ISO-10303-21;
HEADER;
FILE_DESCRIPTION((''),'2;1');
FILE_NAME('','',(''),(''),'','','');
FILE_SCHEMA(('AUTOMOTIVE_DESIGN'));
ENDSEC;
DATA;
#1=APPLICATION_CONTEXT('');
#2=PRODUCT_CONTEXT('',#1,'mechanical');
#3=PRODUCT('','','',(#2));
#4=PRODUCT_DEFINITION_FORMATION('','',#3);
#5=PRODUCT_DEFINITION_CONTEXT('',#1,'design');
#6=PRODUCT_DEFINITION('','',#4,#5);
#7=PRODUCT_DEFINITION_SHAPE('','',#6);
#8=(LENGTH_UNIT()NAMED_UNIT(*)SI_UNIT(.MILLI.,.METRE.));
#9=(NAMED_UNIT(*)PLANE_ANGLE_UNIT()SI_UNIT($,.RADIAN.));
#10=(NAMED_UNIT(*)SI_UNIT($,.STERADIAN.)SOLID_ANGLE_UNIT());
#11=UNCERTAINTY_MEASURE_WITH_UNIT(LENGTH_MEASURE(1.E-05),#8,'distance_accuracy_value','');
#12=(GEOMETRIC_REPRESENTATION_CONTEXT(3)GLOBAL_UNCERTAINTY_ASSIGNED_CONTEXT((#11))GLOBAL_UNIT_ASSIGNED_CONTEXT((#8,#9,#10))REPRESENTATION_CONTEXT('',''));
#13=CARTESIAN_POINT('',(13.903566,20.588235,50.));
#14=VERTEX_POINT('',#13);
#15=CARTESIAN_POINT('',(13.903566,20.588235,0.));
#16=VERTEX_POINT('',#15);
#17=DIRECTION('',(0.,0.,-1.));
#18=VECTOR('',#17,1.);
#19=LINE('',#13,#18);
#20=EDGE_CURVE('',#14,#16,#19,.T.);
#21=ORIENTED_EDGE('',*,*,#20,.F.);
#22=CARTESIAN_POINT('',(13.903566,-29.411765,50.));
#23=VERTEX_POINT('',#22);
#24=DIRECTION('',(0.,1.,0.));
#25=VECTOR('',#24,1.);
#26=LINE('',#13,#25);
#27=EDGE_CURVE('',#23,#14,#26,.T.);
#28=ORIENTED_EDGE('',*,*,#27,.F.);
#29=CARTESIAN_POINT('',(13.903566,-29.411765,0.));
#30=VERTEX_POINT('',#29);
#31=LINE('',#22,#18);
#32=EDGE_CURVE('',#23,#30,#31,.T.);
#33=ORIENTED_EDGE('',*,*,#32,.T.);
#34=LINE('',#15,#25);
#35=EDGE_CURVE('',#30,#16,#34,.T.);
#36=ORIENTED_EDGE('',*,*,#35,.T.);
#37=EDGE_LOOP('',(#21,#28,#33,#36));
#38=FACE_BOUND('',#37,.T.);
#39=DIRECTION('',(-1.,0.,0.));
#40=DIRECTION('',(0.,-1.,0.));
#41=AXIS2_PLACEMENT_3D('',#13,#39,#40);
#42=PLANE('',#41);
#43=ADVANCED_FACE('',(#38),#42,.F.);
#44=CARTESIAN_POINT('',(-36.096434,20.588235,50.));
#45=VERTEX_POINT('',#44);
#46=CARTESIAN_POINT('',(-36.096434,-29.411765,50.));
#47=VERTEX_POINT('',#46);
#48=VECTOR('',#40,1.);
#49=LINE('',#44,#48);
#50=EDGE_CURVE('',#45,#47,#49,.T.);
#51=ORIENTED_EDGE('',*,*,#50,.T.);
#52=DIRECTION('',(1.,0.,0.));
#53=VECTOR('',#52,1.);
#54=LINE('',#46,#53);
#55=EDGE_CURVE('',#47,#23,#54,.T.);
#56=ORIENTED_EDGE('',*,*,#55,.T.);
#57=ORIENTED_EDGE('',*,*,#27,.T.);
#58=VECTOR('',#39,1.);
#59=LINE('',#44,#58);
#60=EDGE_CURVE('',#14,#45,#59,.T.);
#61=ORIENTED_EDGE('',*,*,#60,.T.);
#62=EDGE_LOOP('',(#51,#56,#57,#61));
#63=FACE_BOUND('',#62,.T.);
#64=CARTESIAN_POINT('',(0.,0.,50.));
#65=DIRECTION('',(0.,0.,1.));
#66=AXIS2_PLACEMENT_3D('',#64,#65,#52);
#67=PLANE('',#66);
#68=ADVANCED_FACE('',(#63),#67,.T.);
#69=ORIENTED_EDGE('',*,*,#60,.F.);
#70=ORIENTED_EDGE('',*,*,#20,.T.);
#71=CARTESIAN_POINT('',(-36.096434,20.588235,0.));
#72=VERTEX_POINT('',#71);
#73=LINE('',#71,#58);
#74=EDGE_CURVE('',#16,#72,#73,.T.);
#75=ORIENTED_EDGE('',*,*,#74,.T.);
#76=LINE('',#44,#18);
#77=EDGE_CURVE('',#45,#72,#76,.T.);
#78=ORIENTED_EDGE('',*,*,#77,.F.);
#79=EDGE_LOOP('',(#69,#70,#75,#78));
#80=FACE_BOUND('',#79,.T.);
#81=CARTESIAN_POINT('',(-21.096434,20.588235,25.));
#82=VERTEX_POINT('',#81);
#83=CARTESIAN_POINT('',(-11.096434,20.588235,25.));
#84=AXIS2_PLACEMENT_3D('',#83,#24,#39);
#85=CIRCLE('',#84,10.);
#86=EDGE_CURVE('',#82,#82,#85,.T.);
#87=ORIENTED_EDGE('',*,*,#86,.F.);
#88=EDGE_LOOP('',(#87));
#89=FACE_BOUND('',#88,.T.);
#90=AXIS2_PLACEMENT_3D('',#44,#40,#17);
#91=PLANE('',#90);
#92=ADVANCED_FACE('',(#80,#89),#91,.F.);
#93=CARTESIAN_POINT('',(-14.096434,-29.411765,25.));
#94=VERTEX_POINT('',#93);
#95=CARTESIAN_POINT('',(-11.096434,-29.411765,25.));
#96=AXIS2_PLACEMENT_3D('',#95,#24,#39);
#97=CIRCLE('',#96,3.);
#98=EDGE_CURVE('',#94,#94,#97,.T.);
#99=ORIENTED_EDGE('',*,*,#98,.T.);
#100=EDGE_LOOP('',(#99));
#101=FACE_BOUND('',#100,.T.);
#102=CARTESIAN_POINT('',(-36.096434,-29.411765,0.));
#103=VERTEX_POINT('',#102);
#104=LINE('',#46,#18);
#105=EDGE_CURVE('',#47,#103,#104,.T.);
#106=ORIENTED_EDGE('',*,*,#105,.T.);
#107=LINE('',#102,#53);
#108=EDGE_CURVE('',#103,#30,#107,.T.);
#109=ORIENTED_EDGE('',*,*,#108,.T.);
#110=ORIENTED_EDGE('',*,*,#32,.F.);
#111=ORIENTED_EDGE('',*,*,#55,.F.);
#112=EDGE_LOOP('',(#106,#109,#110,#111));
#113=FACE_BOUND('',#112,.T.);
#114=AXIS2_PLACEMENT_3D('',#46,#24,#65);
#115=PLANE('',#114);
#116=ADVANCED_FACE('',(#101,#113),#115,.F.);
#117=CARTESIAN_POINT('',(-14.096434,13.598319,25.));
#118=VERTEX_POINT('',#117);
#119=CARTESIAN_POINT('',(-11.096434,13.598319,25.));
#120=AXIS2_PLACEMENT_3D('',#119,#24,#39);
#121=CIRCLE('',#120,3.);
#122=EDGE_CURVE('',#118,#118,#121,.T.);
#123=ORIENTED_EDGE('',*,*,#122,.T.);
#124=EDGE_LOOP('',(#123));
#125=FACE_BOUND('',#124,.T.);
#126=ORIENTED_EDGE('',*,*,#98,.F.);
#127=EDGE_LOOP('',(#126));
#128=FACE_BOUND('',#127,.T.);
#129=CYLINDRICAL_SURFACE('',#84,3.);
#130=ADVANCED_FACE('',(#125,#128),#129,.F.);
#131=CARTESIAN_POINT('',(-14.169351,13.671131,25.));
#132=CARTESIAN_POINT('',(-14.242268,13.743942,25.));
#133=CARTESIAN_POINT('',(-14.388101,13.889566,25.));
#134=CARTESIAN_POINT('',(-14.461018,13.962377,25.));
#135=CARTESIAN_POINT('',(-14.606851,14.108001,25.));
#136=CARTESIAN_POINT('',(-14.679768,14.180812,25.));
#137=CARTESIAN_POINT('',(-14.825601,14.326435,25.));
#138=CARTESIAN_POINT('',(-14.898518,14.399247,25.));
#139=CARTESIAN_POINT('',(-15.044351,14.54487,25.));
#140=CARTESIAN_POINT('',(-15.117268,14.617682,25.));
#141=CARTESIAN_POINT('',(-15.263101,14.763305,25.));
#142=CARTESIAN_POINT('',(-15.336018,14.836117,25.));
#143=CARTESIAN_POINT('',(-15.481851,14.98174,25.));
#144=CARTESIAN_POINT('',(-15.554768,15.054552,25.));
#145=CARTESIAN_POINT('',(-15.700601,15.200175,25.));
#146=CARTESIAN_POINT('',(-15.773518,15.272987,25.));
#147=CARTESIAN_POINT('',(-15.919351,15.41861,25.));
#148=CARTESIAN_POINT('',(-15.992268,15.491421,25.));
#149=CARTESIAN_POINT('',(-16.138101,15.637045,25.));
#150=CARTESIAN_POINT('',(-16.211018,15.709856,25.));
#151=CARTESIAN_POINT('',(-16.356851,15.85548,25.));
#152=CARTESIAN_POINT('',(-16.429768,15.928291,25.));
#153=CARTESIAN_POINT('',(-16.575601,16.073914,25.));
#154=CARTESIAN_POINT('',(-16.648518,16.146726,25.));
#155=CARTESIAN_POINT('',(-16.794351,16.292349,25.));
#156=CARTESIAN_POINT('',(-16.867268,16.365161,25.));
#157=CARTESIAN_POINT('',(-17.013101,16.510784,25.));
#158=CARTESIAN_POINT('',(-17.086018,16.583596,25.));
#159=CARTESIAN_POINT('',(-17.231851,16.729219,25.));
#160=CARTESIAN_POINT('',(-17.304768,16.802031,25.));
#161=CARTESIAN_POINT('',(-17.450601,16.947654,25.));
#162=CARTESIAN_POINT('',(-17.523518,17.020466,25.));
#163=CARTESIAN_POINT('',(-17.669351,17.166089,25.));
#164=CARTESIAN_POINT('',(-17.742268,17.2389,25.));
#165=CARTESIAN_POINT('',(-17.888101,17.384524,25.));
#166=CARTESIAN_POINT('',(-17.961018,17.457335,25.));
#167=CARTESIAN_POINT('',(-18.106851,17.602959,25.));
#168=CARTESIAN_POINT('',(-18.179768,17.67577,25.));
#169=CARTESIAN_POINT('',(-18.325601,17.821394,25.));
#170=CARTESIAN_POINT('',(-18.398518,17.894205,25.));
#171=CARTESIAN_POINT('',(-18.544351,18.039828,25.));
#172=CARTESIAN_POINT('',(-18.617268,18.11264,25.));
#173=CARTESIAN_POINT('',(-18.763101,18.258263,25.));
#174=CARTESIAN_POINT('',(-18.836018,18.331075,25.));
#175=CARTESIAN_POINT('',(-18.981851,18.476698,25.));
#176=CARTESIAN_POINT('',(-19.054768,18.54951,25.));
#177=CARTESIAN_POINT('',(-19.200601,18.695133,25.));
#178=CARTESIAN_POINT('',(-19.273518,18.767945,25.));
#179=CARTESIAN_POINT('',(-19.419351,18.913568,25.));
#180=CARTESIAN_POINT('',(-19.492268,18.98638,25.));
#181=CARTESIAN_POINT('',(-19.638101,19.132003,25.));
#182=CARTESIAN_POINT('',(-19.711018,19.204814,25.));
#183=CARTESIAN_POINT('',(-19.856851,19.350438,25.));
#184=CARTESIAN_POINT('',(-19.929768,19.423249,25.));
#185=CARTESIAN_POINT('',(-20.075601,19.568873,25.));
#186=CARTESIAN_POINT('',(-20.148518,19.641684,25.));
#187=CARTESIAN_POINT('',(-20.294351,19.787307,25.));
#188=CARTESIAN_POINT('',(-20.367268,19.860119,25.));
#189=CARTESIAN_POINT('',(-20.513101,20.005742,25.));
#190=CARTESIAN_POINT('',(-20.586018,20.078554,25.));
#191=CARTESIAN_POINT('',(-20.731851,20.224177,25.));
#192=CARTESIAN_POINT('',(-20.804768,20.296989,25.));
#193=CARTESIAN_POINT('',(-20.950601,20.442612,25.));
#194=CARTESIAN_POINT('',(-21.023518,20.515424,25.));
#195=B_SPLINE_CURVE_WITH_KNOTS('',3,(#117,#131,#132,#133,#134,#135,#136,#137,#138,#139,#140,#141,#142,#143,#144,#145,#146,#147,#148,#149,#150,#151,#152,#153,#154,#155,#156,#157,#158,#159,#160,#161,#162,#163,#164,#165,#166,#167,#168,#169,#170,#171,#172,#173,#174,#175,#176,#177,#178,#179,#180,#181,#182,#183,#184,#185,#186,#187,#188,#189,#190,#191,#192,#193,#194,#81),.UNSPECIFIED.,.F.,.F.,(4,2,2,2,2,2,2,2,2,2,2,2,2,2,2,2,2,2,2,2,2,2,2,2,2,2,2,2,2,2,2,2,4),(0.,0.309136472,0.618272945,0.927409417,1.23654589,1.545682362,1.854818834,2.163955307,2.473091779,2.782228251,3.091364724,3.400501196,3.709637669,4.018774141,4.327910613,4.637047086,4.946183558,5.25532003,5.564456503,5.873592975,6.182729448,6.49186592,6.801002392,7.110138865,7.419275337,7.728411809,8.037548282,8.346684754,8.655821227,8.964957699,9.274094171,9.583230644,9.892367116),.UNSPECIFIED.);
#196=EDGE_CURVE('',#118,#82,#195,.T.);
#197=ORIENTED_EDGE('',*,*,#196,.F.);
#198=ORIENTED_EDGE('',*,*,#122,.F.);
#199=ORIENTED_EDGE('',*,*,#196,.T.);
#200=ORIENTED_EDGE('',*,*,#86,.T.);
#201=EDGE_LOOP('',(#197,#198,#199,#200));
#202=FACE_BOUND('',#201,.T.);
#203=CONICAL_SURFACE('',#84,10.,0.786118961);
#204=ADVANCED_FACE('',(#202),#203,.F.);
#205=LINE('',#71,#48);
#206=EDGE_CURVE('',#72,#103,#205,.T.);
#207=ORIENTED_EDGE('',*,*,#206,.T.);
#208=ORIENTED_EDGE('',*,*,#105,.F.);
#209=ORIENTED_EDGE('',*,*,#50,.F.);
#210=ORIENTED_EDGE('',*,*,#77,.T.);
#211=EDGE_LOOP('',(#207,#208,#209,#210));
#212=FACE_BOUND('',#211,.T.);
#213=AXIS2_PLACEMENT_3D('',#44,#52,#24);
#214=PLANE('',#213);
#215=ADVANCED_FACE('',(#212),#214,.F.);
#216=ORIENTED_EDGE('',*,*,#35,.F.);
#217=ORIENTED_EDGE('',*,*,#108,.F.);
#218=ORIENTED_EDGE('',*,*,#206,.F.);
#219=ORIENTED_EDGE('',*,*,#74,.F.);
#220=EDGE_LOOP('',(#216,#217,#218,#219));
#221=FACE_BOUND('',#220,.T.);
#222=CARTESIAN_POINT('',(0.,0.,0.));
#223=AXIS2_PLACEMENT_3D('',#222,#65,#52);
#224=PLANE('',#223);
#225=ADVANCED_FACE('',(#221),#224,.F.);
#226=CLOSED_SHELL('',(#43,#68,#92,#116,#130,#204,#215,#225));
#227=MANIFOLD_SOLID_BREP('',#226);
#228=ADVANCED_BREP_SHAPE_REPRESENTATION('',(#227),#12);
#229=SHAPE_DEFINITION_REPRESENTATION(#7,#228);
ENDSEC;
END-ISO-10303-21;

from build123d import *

# Parameters (mm, degrees)
SKETCH_1_W      = 50
SKETCH_1_H      = 50
EXTRUDE_1_DEPTH = 50


with BuildPart() as part:
    # 草图1 → 凸台-拉伸1 (new body)
    with BuildSketch(Plane.XY):
        with Locations((-11.096434238, -4.411764706)):
            Rectangle(SKETCH_1_W, SKETCH_1_H)
    extrude(amount=EXTRUDE_1_DEPTH)

    # 草图3 → 切除-旋转1 (revolve, cut)
    with BuildSketch(Plane(origin=(-11.096434238, 0, 0), x_dir=(0, 0, -1), z_dir=(1, 0, 0)), mode=Mode.PRIVATE) as cut_revolve_1_sk:
        Polygon((-25, 20.588235294), (-35, 20.588235294), (-28, 13.598319189), (-28, -29.411764706), (-25, -29.411764706), align=None)
    revolve(cut_revolve_1_sk.sketch.rotate(Axis((-11.096434238, 20.588235294, 25), (0, -1, 0)), 90), axis=Axis((-11.096434238, 20.588235294, 25), (0, -1, 0)), mode=Mode.SUBTRACT)


solid = part.part
